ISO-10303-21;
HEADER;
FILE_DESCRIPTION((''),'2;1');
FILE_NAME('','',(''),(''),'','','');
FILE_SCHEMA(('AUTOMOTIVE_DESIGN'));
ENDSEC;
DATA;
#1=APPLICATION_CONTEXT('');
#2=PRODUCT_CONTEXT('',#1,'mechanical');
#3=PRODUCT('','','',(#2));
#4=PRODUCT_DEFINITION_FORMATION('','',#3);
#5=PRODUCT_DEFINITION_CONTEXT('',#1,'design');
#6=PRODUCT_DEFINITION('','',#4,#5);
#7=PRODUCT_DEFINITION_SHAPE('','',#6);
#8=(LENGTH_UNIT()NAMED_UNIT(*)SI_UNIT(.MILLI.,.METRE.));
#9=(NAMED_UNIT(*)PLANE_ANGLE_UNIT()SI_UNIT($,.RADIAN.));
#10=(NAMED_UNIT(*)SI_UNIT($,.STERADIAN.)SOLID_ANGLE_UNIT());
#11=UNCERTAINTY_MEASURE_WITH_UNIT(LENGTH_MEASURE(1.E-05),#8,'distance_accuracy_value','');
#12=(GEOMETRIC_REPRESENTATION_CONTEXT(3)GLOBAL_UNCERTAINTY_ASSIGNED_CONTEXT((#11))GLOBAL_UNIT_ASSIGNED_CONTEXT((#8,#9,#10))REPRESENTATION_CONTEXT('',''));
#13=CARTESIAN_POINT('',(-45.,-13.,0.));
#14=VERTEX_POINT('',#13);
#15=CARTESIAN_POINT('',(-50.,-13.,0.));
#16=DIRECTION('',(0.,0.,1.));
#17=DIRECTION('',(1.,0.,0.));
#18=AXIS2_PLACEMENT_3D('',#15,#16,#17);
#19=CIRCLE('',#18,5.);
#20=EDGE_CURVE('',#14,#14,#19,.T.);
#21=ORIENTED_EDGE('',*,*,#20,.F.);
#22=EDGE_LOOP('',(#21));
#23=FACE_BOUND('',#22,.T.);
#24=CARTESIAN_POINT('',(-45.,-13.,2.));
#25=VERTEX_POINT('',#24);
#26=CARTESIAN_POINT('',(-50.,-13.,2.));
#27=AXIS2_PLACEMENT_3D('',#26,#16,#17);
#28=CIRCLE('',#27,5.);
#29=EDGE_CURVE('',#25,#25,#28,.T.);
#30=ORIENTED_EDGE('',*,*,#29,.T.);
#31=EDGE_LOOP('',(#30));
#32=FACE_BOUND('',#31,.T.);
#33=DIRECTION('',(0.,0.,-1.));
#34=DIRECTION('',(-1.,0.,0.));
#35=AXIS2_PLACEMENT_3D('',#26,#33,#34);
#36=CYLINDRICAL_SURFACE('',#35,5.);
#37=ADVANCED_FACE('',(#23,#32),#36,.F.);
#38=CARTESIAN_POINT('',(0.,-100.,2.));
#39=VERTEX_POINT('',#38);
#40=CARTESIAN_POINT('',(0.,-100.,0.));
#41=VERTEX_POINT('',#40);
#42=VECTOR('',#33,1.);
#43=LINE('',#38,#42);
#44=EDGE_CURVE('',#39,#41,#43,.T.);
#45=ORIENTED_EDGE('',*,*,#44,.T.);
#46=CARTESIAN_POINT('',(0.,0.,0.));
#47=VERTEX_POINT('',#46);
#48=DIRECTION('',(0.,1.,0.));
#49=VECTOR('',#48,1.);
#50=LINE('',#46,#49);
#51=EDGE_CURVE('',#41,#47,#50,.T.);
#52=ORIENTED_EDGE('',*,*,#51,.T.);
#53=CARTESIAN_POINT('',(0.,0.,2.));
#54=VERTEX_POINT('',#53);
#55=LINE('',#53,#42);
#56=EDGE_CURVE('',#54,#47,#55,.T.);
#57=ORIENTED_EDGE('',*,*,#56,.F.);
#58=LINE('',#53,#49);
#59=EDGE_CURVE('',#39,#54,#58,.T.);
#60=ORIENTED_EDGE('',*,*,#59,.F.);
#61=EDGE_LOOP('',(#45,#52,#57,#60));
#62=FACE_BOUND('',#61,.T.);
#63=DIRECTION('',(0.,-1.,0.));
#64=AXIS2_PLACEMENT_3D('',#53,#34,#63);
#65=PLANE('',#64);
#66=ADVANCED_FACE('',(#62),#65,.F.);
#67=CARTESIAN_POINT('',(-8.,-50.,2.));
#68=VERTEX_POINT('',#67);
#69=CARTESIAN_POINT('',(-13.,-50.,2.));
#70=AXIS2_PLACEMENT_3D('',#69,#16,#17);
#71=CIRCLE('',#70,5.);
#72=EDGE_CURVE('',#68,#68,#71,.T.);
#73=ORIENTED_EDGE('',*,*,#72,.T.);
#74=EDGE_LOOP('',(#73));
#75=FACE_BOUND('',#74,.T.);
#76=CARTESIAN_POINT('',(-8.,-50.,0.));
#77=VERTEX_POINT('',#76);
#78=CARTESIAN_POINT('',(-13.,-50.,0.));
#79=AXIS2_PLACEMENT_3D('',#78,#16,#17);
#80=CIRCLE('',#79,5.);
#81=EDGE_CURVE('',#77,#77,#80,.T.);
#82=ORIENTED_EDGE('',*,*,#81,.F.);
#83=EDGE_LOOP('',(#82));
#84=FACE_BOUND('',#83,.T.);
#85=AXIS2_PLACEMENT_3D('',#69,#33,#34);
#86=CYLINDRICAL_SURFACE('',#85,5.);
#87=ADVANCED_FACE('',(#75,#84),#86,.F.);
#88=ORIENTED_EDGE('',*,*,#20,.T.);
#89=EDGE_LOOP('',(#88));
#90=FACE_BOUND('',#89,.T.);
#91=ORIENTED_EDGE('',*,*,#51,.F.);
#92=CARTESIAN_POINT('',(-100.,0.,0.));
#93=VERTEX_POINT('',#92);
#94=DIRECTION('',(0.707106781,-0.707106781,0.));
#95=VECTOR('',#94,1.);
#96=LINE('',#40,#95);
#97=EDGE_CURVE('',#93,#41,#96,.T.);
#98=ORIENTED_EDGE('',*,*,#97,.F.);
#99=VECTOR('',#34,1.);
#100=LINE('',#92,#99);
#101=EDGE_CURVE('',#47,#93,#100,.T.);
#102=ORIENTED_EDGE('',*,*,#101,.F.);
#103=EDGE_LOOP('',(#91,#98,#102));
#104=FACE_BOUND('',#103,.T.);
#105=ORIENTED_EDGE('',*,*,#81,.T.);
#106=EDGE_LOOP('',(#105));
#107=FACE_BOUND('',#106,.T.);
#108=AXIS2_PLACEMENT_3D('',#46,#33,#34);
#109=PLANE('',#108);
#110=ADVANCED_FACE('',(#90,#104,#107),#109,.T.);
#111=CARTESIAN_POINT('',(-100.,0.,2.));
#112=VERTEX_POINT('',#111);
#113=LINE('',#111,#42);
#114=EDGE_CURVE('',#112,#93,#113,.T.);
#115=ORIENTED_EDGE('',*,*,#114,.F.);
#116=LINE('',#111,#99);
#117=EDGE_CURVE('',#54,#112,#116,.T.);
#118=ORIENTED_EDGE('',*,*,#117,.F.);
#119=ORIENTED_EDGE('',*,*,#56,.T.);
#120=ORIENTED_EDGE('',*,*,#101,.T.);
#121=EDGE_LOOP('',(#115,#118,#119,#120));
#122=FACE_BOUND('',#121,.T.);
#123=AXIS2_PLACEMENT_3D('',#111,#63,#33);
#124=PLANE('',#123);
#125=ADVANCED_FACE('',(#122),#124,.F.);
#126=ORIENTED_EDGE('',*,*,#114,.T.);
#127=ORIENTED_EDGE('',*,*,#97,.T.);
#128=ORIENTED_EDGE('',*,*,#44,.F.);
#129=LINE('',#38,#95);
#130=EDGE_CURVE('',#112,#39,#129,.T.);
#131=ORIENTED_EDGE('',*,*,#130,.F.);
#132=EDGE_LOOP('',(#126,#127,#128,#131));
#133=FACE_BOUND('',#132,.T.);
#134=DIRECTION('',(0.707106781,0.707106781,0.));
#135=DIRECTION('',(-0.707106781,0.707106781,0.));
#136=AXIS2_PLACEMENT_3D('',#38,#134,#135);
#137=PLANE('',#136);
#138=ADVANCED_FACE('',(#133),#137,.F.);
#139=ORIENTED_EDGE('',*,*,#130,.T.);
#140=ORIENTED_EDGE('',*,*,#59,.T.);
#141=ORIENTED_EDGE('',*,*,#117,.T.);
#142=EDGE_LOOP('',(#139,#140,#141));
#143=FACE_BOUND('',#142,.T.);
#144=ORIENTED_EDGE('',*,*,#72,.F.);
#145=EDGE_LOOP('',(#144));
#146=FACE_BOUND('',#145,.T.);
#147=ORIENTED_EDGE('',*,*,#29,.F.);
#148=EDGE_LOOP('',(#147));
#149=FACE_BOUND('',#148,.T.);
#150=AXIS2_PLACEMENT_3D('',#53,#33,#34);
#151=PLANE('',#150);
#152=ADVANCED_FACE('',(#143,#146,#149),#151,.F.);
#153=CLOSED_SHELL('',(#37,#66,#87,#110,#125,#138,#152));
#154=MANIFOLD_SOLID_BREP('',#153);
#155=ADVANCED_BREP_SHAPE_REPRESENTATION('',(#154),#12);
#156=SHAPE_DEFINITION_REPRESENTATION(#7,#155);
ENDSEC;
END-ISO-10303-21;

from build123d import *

# Parameters (mm, degrees)
SZKIC1_R                    = 5
DODANIE_WYCI_GNI_CIE1_DEPTH = 2


with BuildPart() as part:
    # Szkic1 → Dodanie-wyciągnięcie1 (new body)
    with BuildSketch(Plane.XY):
        Polygon((0, 0), (0, -100), (-100, 0), align=None)
        with Locations((-50, -13)):
            Circle(SZKIC1_R, mode=Mode.SUBTRACT)
        with Locations((-13, -50)):
            Circle(SZKIC1_R, mode=Mode.SUBTRACT)
    extrude(amount=DODANIE_WYCI_GNI_CIE1_DEPTH)


solid = part.part
